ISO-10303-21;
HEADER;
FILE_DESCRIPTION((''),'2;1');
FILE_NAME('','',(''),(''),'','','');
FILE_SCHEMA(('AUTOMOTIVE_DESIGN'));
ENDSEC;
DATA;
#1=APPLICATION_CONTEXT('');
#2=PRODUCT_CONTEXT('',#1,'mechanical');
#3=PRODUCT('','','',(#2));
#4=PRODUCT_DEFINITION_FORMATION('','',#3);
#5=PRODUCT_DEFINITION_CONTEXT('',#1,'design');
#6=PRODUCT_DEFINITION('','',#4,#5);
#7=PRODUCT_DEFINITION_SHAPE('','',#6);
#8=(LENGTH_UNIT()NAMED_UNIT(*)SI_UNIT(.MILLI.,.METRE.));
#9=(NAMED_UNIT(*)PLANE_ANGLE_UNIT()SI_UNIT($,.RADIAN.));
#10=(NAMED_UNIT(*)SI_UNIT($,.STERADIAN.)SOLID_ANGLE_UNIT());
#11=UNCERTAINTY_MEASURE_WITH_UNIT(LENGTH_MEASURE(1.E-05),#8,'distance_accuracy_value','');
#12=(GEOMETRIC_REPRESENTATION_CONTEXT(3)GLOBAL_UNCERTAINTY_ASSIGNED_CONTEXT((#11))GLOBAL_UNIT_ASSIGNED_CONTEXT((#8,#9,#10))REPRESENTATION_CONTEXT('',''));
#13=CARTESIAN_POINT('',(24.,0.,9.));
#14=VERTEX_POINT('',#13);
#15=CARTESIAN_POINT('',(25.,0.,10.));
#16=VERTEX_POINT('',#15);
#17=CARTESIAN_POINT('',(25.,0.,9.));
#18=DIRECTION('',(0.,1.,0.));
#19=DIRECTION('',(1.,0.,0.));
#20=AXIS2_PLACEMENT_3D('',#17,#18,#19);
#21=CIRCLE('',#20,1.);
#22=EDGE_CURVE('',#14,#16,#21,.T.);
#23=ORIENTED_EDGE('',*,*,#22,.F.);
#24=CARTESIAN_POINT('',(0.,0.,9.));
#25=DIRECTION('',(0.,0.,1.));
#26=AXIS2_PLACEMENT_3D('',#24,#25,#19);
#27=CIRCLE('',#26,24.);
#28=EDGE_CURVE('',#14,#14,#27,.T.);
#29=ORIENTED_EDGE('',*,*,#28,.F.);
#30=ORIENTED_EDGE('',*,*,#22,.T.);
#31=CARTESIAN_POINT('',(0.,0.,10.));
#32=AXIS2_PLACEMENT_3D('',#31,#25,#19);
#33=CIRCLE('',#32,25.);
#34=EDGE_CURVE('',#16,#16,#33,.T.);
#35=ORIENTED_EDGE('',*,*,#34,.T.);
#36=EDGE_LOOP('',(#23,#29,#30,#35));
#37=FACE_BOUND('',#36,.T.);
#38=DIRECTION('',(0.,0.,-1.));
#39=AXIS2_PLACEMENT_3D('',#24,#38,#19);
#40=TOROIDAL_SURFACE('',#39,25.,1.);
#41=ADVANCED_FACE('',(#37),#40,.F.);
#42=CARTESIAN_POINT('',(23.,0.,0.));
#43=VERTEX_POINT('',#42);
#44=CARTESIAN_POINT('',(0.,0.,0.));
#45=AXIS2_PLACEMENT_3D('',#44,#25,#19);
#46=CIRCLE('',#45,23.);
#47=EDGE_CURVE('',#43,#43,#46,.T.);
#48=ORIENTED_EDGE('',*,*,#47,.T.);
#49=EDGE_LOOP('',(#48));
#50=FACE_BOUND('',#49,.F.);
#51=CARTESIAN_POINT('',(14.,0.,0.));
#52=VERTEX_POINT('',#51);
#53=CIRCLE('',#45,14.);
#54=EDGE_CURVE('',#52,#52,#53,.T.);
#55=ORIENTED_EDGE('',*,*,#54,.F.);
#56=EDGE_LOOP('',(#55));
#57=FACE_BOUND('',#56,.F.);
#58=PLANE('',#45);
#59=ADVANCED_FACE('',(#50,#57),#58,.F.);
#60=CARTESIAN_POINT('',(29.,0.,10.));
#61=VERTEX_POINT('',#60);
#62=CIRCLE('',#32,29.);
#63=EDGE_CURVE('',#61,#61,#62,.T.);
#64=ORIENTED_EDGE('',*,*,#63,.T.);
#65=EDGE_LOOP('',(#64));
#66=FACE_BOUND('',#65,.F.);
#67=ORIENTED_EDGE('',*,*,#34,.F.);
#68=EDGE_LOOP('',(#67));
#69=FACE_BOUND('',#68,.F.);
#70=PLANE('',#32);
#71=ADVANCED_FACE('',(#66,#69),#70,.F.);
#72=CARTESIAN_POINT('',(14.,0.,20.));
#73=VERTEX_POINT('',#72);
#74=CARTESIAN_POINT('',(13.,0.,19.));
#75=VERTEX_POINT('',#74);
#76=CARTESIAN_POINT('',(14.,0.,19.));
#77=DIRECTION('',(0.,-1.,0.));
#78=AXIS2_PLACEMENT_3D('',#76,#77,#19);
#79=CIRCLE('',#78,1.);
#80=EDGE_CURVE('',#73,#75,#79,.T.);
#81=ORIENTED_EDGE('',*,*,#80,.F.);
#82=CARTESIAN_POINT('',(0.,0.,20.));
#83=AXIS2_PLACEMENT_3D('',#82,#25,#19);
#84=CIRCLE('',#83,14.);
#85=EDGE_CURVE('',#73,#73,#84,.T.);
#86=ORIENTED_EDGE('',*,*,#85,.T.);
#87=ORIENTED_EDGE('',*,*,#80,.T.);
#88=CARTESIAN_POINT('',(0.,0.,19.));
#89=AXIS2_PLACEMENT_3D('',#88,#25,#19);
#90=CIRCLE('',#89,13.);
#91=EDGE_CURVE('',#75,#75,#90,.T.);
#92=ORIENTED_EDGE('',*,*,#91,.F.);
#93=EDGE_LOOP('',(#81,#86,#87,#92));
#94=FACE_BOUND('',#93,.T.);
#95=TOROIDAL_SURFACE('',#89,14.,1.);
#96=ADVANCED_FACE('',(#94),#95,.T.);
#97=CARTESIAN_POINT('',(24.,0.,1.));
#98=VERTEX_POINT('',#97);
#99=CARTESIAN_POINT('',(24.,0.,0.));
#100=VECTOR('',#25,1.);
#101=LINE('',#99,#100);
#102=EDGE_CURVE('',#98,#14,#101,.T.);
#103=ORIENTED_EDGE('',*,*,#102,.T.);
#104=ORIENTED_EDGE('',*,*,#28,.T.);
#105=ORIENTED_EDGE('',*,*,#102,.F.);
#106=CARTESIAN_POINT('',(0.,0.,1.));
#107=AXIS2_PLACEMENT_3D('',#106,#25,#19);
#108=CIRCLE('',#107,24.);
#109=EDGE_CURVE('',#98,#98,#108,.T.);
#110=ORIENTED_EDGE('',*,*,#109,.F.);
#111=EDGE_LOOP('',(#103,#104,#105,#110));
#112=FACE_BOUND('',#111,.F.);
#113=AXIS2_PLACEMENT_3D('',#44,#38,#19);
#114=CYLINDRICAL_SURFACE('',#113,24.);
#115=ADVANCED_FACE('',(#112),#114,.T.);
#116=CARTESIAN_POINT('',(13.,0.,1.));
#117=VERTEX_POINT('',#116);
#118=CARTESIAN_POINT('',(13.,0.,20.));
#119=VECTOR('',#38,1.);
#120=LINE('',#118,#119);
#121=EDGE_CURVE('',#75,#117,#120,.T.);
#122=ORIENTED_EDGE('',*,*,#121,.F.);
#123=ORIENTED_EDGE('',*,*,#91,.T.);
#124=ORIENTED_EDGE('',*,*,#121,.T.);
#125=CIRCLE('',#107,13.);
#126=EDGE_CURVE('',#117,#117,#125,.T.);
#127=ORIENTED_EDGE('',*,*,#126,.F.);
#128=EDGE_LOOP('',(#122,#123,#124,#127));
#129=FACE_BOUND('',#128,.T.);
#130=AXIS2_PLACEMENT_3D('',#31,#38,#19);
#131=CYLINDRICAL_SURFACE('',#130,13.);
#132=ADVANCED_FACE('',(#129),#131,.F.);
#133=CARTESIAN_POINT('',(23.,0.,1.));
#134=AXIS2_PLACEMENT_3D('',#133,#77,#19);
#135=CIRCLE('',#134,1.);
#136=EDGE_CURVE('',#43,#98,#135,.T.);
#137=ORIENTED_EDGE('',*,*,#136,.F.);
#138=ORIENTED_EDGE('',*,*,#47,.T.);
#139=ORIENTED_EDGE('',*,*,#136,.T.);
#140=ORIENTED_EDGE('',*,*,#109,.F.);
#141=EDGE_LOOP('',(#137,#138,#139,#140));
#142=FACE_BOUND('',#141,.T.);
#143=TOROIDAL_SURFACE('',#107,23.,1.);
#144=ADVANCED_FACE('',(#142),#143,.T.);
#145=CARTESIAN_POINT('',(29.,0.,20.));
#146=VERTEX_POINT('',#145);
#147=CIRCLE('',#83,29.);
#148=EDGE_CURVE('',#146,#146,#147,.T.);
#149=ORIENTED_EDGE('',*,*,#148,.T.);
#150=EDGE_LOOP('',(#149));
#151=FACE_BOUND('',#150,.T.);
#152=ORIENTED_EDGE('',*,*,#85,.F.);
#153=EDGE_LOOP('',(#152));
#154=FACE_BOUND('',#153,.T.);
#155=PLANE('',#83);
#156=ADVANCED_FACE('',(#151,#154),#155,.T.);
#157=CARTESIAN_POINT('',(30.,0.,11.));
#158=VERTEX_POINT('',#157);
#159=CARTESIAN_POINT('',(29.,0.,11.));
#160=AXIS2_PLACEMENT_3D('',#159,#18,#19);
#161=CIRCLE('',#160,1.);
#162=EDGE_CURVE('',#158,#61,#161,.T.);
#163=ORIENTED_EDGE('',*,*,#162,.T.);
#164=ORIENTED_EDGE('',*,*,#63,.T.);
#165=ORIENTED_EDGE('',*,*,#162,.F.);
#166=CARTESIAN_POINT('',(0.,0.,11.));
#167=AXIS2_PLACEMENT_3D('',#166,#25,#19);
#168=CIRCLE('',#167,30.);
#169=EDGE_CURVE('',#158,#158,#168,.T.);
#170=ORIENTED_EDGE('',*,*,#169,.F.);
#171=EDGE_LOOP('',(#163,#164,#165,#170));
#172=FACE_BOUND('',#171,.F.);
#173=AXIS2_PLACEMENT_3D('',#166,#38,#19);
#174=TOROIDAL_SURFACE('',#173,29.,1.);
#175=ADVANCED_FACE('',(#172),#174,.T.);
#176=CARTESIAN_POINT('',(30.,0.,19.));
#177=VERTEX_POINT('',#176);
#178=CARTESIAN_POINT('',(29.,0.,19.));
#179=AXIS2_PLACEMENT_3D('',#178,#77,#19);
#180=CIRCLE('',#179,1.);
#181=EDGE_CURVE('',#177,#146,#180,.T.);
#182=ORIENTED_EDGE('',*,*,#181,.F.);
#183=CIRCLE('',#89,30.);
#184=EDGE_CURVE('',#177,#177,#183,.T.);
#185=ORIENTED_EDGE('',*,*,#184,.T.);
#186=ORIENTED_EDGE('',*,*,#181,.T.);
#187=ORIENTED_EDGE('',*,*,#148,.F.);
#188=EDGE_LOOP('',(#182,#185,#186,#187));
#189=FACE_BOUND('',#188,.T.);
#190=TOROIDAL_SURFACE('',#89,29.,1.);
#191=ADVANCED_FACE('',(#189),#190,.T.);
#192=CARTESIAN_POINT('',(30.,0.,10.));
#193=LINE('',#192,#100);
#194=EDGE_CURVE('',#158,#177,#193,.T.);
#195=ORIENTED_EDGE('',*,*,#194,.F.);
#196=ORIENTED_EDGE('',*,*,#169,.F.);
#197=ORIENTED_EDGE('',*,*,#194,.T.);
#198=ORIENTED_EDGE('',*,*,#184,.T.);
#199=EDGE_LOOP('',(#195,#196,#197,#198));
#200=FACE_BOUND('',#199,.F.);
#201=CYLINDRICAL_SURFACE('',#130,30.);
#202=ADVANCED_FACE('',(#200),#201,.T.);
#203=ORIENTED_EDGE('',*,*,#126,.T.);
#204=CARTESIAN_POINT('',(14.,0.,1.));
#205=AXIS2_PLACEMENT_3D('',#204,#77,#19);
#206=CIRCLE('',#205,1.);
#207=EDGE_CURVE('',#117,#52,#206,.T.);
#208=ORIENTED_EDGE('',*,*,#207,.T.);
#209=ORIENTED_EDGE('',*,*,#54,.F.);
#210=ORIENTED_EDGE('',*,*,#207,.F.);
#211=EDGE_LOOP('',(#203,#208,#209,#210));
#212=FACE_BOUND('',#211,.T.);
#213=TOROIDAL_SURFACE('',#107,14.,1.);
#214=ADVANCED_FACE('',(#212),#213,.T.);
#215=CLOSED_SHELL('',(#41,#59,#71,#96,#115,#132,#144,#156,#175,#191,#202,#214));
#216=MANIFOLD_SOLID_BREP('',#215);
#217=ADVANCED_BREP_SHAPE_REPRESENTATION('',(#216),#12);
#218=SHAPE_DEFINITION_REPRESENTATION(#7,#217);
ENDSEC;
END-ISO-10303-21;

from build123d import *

# Parameters (mm, degrees)
SKETCH_R      = 24
SKETCH_R_2    = 13
PAD_DEPTH     = 10
SKETCH001_R   = 30
SKETCH001_R_2 = 13
PAD001_DEPTH  = 10
FILLET_R      = 1
FILLET001_R   = 1


with BuildPart() as part:
    # Sketch → Pad (new body)
    with BuildSketch(Plane.XY):
        Circle(SKETCH_R)
        Circle(SKETCH_R_2, mode=Mode.SUBTRACT)
    extrude(amount=PAD_DEPTH)

    # Sketch001 (on Face4 of Pad) → Pad001 (join)
    with BuildSketch(Plane.XY.offset(10)):
        Circle(SKETCH001_R)
        Circle(SKETCH001_R_2, mode=Mode.SUBTRACT)
    extrude(amount=PAD001_DEPTH)

    # Fillet
    fillet_edges = [part.edges().sort_by_distance(p)[0] for p in [
        (-24, 0, 0),
        (-30, 0, 10),
        (-30, 0, 20),
        (-24, 0, 10),
    ]]
    fillet(fillet_edges, radius=FILLET_R)

    # Fillet001
    fillet001_edges = [part.edges().sort_by_distance(p)[0] for p in [
        (-13, 0, 0),
        (-13, 0, 20),
    ]]
    fillet(fillet001_edges, radius=FILLET001_R)


solid = part.part
